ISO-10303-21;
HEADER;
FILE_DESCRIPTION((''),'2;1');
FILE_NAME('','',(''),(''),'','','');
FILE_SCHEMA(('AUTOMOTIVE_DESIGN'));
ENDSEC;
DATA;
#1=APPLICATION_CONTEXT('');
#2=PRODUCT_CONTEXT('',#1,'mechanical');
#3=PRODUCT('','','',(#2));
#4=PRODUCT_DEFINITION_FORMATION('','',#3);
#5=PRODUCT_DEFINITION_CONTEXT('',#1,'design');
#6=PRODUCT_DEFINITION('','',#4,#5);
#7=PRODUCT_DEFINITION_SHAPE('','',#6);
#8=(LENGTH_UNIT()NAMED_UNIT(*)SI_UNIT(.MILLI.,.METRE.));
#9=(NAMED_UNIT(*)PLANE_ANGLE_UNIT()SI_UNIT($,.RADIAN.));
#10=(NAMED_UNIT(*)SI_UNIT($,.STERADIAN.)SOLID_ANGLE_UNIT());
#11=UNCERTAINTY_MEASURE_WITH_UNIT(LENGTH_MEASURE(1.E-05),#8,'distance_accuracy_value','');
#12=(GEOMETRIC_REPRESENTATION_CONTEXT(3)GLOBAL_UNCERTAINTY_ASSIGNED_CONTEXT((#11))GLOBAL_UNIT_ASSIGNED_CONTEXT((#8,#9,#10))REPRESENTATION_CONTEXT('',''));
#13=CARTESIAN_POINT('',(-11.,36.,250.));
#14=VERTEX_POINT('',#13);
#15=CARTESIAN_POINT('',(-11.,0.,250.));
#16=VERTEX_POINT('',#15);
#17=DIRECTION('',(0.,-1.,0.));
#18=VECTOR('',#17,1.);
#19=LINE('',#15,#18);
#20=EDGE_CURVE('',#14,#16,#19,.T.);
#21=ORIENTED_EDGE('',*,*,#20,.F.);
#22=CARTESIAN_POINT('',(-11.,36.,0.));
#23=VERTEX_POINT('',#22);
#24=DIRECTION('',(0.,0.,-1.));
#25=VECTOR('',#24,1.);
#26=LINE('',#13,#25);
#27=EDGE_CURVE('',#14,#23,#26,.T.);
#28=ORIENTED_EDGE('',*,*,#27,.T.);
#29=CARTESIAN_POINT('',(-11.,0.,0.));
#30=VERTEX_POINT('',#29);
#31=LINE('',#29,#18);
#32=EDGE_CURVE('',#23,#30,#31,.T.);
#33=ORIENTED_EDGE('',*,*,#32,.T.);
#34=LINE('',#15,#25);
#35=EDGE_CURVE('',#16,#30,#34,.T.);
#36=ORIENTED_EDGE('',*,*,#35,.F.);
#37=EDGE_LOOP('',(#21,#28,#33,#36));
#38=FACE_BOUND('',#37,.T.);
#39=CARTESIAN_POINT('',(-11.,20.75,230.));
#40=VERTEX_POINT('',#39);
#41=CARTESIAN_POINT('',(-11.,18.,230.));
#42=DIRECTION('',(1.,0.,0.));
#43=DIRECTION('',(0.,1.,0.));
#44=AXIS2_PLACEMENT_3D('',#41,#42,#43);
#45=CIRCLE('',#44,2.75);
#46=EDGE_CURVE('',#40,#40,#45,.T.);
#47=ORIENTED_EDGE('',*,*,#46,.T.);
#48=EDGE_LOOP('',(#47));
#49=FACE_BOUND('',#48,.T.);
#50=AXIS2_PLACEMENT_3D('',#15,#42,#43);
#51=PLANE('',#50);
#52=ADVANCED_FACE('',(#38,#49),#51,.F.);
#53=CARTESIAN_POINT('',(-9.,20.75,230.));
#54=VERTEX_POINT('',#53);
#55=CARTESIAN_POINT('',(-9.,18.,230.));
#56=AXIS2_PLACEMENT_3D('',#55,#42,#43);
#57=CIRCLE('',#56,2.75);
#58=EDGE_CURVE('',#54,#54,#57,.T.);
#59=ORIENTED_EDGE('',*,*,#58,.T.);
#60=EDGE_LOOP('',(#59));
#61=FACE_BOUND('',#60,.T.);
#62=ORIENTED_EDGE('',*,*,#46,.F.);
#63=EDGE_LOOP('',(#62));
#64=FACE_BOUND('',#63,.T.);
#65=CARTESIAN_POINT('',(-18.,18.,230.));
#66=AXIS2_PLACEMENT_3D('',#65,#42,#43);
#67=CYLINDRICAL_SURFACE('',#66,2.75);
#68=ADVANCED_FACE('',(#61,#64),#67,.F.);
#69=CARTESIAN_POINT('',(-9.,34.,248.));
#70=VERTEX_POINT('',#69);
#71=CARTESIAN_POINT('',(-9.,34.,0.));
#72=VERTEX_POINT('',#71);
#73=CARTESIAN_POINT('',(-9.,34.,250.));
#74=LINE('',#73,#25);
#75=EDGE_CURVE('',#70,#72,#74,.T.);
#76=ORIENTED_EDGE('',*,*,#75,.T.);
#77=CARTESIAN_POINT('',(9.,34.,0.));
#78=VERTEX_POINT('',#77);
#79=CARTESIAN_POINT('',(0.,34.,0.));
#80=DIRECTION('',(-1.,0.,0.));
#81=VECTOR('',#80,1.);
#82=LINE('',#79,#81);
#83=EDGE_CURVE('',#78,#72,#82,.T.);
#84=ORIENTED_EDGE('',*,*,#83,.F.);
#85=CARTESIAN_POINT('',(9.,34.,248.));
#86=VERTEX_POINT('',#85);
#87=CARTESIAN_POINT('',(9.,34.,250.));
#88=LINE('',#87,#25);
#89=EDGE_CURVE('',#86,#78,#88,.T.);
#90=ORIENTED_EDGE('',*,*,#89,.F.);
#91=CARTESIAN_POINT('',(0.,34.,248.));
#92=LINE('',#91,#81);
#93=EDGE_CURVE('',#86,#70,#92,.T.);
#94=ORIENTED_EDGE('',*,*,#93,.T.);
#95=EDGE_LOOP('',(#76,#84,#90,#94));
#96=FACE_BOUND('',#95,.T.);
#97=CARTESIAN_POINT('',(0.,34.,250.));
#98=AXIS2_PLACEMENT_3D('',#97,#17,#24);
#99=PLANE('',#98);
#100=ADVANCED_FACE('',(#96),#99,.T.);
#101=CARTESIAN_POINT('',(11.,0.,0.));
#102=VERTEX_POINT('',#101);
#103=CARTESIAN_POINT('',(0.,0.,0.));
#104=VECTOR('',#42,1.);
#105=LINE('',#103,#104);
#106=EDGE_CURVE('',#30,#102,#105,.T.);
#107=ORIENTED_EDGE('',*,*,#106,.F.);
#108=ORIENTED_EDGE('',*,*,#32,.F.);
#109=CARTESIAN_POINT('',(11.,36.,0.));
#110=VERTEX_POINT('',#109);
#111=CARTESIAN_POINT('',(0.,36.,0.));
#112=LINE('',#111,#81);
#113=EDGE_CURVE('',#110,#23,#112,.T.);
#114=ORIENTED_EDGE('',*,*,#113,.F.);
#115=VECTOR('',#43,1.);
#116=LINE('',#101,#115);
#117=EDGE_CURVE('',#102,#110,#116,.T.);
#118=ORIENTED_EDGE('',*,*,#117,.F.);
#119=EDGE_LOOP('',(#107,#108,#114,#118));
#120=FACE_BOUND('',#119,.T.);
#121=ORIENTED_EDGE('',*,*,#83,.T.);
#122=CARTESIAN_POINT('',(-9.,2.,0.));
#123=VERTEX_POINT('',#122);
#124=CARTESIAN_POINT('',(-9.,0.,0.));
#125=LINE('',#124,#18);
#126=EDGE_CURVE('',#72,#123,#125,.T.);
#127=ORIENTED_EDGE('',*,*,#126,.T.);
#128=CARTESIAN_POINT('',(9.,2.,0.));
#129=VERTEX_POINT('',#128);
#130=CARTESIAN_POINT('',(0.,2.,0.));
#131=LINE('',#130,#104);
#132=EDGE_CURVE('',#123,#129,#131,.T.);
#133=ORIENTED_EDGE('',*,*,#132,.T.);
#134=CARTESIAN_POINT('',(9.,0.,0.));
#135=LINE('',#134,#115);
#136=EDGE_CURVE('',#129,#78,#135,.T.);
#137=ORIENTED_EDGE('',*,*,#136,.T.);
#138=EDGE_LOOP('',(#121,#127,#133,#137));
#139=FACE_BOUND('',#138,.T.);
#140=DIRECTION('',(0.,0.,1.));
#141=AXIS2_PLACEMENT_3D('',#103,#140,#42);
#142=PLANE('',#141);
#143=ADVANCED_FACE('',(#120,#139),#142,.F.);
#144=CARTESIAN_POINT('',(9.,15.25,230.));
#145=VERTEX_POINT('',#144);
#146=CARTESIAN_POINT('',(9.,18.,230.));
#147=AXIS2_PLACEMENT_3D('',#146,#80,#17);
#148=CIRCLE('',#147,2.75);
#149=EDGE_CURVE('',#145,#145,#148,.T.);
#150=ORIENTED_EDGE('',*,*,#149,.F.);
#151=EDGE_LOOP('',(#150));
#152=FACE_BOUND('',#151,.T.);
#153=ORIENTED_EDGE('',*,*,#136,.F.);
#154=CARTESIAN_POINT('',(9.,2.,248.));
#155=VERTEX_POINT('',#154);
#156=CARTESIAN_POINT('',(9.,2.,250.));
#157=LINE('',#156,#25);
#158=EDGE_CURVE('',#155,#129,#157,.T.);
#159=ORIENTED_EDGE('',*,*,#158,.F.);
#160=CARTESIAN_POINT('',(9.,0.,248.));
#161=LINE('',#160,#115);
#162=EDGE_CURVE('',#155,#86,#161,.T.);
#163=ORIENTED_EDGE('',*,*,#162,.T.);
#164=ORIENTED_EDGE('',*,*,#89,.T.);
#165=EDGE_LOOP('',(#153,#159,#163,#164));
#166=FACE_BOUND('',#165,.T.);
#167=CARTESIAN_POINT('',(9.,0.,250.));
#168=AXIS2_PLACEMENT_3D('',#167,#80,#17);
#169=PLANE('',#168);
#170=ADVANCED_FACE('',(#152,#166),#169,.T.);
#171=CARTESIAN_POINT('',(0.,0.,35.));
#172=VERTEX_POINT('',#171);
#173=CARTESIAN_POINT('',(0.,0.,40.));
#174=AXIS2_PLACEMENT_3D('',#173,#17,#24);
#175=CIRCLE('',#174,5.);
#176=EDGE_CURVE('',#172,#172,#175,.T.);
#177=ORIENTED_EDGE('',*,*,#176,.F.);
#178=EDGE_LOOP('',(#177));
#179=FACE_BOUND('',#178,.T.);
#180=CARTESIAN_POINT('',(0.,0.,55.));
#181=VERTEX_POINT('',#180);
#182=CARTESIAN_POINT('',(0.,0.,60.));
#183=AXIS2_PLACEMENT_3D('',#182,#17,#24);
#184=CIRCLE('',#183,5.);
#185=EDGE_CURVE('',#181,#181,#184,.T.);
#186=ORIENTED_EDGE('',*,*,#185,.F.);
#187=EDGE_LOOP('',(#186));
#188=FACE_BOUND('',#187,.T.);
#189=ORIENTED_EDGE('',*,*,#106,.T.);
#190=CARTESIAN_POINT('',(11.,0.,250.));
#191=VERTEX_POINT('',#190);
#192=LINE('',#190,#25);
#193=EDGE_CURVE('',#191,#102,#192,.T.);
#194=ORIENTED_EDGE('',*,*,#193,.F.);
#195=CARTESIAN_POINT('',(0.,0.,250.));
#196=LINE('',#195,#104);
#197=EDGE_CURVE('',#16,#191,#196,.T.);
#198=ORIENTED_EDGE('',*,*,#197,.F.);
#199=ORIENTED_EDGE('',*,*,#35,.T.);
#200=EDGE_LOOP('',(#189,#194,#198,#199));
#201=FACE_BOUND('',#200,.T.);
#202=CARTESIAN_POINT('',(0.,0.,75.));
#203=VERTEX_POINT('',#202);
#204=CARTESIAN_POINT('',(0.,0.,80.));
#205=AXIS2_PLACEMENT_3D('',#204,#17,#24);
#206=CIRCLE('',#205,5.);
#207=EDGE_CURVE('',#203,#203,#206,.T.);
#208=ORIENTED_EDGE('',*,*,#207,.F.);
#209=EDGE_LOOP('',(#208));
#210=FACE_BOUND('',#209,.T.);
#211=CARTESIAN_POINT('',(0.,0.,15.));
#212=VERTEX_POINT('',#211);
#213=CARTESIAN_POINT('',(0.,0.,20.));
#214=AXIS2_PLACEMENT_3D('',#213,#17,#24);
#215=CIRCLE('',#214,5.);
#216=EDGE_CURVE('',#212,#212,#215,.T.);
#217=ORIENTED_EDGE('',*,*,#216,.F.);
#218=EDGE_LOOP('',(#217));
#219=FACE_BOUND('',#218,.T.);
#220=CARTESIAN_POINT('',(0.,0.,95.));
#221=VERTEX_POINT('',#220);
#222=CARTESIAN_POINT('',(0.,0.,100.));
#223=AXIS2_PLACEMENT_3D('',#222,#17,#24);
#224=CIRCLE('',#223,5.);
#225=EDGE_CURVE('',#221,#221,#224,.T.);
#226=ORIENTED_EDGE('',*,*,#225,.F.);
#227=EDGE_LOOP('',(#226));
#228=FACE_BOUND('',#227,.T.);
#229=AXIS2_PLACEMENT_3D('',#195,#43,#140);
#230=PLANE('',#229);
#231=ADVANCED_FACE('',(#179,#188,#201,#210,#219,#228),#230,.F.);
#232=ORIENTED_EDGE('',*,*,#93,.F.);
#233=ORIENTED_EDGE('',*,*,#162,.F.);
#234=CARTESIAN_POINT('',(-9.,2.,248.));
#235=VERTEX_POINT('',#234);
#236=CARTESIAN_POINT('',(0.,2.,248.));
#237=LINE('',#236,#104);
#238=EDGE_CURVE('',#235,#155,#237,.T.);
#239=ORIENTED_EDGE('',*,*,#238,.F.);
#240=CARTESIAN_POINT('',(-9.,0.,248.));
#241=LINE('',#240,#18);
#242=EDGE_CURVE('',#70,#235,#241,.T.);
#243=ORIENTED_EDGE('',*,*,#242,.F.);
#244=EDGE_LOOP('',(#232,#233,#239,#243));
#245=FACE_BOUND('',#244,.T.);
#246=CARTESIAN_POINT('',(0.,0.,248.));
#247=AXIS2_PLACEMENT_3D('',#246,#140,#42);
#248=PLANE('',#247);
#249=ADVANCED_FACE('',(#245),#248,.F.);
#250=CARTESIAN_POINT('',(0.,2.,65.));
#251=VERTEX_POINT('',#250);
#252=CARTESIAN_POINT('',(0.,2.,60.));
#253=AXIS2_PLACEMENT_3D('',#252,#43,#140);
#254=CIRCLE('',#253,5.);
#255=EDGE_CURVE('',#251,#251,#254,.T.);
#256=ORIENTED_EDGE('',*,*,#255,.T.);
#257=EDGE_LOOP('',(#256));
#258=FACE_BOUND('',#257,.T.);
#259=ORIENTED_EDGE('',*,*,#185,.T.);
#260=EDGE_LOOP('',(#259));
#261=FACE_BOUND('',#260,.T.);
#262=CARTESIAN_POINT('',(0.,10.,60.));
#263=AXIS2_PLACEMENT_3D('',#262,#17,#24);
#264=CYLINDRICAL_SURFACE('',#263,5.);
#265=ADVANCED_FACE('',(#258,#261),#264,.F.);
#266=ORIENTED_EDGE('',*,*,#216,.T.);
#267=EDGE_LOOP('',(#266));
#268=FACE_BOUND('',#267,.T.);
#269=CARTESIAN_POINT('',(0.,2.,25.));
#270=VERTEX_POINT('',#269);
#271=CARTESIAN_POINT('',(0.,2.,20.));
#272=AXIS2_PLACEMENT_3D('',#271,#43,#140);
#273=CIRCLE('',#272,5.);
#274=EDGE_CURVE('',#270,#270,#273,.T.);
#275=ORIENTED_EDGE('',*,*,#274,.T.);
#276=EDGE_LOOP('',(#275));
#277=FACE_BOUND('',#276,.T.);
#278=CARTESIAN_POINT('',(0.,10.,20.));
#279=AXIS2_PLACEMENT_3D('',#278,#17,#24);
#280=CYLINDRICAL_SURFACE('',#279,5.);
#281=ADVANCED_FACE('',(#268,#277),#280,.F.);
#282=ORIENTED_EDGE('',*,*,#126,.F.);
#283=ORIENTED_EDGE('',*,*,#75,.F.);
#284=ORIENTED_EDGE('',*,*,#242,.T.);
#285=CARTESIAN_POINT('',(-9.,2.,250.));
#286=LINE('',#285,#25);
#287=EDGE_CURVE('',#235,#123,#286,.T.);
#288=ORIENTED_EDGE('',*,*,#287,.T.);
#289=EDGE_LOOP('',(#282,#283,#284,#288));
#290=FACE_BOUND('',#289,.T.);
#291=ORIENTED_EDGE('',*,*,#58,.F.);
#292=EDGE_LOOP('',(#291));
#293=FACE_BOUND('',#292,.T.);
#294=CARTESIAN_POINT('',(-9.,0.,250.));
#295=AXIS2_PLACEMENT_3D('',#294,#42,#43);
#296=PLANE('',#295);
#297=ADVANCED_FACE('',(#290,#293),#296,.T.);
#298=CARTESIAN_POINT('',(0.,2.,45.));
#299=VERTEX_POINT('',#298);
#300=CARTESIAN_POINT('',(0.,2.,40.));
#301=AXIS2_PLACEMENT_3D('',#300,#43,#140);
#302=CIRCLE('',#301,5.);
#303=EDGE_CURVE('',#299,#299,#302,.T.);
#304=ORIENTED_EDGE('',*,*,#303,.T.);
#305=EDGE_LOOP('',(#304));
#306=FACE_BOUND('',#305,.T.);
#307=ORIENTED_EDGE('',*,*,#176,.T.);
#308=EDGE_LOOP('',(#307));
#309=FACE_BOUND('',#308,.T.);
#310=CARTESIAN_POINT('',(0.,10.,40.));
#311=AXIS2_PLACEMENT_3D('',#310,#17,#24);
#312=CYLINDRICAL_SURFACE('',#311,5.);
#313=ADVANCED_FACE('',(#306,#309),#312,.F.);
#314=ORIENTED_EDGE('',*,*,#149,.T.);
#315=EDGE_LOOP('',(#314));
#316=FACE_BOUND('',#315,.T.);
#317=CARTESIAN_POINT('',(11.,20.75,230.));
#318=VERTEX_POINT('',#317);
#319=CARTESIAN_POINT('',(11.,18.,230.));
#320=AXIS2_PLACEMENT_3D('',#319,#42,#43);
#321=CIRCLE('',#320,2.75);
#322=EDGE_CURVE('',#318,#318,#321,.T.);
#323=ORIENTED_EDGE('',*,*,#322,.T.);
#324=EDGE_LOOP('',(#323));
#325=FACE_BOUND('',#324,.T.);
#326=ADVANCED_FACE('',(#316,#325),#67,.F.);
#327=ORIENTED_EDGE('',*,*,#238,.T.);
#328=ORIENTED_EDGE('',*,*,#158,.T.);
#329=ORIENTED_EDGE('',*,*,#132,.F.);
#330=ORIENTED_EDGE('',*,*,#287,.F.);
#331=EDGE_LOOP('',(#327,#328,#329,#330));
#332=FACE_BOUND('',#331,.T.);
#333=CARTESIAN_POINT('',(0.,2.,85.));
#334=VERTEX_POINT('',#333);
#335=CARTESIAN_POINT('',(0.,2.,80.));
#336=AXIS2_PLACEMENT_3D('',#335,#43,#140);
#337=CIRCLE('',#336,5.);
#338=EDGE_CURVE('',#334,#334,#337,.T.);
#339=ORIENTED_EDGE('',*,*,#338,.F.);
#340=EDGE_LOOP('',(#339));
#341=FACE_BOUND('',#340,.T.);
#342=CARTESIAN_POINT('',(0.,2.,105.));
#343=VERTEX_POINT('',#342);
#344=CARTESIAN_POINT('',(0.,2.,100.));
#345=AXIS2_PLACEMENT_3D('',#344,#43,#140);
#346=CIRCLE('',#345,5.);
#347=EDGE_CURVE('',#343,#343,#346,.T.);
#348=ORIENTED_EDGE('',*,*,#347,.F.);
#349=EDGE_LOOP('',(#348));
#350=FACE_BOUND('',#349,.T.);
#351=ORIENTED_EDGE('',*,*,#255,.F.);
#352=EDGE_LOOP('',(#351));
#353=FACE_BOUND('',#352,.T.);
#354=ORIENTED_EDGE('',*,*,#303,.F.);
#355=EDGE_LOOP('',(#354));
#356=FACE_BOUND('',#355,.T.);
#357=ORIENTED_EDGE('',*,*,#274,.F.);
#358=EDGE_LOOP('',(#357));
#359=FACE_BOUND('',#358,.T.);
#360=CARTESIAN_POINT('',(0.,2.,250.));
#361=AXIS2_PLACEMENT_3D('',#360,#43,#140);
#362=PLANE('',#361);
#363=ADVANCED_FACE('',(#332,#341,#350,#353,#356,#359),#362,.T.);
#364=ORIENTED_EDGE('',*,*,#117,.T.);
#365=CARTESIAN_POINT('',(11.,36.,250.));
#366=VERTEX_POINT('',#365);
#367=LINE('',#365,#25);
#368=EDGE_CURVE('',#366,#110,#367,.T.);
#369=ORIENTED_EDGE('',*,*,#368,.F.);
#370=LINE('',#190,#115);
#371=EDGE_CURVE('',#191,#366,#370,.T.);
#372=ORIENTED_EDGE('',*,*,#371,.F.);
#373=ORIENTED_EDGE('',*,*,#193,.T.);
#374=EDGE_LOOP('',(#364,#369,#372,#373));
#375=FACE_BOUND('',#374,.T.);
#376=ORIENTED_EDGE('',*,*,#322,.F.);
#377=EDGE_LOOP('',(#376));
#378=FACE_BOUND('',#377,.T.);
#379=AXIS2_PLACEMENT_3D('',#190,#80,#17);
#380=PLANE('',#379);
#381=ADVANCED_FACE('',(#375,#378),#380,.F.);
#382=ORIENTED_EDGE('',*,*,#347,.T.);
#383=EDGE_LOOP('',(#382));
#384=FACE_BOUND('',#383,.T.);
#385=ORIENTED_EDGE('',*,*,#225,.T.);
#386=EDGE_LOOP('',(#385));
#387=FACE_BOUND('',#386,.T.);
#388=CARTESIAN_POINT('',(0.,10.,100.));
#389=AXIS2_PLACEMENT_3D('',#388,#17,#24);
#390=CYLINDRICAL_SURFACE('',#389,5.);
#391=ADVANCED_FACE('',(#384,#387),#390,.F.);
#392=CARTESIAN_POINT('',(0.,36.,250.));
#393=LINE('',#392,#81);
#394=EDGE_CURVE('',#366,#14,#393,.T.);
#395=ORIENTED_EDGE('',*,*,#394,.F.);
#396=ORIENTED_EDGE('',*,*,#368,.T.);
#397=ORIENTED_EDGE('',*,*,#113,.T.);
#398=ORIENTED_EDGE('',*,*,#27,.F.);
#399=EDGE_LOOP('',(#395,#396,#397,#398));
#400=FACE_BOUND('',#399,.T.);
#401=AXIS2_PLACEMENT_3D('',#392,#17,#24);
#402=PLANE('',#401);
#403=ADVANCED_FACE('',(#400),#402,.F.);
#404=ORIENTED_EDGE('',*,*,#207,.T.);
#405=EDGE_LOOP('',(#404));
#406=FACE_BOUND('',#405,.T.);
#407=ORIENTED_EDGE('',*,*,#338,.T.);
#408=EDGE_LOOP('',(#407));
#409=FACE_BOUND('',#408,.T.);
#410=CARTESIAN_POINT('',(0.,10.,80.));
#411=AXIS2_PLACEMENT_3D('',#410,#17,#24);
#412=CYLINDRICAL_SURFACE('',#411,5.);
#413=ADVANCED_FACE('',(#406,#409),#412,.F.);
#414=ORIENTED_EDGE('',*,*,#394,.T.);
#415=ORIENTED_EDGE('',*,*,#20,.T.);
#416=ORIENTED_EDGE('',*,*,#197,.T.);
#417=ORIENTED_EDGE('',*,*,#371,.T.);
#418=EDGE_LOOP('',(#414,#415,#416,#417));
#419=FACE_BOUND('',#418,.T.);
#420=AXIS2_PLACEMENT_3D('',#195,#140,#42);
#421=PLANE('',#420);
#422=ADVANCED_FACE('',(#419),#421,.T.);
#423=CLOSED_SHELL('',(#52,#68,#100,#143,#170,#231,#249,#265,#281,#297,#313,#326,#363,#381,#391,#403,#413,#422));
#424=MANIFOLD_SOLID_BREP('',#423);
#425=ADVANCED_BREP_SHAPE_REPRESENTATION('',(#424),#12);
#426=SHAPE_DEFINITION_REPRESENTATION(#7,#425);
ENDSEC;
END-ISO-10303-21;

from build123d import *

# Parameters (mm, degrees)
ESBO_O1_W                = 22
ESBO_O1_H                = 36
RESSALTO_EXTRUS_O1_DEPTH = 250
CASCA1_T                 = -2
ESBO_O2_R                = 5
CORTE_EXTRUS_O1_DEPTH    = 10
ESBO_O3_R                = 2.75
CORTE_EXTRUS_O2_DEPTH    = 29


with BuildPart() as part:
    # Esboço1 → Ressalto-extrusão1 (new body)
    with BuildSketch(Plane.XY):
        with Locations((0, 18)):
            Rectangle(ESBO_O1_W, ESBO_O1_H)
    extrude(amount=RESSALTO_EXTRUS_O1_DEPTH)

    # Casca1
    casca1_openings = [part.faces().sort_by_distance(p)[0] for p in [
        (0, 18, 0),
    ]]
    offset(amount=CASCA1_T, openings=casca1_openings, kind=Kind.INTERSECTION)

    # Esboço2 → Corte-extrusão1 (cut)
    with BuildSketch(Plane(origin=(0, 0, 0), x_dir=(-1, 0, 0), z_dir=(0, -1, 0))):
        with Locations(Location((0, -20, 0), (0, 0, 90))):
            Circle(ESBO_O2_R)
        with Locations(Location((0, -40, 0), (0, 0, 90))):
            Circle(ESBO_O2_R)
        with Locations(Location((0, -60, 0), (0, 0, 90))):
            Circle(ESBO_O2_R)
        with Locations(Location((0, -80, 0), (0, 0, 90))):
            Circle(ESBO_O2_R)
        with Locations(Location((0, -100, 0), (0, 0, 90))):
            Circle(ESBO_O2_R)
    extrude(amount=-CORTE_EXTRUS_O1_DEPTH, mode=Mode.SUBTRACT)

    # Esboço3 → Corte-extrusão2 (cut)
    with BuildSketch(Plane(origin=(11, 0, 0), x_dir=(0, 0, -1), z_dir=(1, 0, 0))):
        with Locations(Location((-230, 18, 0), (0, 0, 90))):
            Circle(ESBO_O3_R)
    extrude(amount=-CORTE_EXTRUS_O2_DEPTH, mode=Mode.SUBTRACT)


solid = part.part
